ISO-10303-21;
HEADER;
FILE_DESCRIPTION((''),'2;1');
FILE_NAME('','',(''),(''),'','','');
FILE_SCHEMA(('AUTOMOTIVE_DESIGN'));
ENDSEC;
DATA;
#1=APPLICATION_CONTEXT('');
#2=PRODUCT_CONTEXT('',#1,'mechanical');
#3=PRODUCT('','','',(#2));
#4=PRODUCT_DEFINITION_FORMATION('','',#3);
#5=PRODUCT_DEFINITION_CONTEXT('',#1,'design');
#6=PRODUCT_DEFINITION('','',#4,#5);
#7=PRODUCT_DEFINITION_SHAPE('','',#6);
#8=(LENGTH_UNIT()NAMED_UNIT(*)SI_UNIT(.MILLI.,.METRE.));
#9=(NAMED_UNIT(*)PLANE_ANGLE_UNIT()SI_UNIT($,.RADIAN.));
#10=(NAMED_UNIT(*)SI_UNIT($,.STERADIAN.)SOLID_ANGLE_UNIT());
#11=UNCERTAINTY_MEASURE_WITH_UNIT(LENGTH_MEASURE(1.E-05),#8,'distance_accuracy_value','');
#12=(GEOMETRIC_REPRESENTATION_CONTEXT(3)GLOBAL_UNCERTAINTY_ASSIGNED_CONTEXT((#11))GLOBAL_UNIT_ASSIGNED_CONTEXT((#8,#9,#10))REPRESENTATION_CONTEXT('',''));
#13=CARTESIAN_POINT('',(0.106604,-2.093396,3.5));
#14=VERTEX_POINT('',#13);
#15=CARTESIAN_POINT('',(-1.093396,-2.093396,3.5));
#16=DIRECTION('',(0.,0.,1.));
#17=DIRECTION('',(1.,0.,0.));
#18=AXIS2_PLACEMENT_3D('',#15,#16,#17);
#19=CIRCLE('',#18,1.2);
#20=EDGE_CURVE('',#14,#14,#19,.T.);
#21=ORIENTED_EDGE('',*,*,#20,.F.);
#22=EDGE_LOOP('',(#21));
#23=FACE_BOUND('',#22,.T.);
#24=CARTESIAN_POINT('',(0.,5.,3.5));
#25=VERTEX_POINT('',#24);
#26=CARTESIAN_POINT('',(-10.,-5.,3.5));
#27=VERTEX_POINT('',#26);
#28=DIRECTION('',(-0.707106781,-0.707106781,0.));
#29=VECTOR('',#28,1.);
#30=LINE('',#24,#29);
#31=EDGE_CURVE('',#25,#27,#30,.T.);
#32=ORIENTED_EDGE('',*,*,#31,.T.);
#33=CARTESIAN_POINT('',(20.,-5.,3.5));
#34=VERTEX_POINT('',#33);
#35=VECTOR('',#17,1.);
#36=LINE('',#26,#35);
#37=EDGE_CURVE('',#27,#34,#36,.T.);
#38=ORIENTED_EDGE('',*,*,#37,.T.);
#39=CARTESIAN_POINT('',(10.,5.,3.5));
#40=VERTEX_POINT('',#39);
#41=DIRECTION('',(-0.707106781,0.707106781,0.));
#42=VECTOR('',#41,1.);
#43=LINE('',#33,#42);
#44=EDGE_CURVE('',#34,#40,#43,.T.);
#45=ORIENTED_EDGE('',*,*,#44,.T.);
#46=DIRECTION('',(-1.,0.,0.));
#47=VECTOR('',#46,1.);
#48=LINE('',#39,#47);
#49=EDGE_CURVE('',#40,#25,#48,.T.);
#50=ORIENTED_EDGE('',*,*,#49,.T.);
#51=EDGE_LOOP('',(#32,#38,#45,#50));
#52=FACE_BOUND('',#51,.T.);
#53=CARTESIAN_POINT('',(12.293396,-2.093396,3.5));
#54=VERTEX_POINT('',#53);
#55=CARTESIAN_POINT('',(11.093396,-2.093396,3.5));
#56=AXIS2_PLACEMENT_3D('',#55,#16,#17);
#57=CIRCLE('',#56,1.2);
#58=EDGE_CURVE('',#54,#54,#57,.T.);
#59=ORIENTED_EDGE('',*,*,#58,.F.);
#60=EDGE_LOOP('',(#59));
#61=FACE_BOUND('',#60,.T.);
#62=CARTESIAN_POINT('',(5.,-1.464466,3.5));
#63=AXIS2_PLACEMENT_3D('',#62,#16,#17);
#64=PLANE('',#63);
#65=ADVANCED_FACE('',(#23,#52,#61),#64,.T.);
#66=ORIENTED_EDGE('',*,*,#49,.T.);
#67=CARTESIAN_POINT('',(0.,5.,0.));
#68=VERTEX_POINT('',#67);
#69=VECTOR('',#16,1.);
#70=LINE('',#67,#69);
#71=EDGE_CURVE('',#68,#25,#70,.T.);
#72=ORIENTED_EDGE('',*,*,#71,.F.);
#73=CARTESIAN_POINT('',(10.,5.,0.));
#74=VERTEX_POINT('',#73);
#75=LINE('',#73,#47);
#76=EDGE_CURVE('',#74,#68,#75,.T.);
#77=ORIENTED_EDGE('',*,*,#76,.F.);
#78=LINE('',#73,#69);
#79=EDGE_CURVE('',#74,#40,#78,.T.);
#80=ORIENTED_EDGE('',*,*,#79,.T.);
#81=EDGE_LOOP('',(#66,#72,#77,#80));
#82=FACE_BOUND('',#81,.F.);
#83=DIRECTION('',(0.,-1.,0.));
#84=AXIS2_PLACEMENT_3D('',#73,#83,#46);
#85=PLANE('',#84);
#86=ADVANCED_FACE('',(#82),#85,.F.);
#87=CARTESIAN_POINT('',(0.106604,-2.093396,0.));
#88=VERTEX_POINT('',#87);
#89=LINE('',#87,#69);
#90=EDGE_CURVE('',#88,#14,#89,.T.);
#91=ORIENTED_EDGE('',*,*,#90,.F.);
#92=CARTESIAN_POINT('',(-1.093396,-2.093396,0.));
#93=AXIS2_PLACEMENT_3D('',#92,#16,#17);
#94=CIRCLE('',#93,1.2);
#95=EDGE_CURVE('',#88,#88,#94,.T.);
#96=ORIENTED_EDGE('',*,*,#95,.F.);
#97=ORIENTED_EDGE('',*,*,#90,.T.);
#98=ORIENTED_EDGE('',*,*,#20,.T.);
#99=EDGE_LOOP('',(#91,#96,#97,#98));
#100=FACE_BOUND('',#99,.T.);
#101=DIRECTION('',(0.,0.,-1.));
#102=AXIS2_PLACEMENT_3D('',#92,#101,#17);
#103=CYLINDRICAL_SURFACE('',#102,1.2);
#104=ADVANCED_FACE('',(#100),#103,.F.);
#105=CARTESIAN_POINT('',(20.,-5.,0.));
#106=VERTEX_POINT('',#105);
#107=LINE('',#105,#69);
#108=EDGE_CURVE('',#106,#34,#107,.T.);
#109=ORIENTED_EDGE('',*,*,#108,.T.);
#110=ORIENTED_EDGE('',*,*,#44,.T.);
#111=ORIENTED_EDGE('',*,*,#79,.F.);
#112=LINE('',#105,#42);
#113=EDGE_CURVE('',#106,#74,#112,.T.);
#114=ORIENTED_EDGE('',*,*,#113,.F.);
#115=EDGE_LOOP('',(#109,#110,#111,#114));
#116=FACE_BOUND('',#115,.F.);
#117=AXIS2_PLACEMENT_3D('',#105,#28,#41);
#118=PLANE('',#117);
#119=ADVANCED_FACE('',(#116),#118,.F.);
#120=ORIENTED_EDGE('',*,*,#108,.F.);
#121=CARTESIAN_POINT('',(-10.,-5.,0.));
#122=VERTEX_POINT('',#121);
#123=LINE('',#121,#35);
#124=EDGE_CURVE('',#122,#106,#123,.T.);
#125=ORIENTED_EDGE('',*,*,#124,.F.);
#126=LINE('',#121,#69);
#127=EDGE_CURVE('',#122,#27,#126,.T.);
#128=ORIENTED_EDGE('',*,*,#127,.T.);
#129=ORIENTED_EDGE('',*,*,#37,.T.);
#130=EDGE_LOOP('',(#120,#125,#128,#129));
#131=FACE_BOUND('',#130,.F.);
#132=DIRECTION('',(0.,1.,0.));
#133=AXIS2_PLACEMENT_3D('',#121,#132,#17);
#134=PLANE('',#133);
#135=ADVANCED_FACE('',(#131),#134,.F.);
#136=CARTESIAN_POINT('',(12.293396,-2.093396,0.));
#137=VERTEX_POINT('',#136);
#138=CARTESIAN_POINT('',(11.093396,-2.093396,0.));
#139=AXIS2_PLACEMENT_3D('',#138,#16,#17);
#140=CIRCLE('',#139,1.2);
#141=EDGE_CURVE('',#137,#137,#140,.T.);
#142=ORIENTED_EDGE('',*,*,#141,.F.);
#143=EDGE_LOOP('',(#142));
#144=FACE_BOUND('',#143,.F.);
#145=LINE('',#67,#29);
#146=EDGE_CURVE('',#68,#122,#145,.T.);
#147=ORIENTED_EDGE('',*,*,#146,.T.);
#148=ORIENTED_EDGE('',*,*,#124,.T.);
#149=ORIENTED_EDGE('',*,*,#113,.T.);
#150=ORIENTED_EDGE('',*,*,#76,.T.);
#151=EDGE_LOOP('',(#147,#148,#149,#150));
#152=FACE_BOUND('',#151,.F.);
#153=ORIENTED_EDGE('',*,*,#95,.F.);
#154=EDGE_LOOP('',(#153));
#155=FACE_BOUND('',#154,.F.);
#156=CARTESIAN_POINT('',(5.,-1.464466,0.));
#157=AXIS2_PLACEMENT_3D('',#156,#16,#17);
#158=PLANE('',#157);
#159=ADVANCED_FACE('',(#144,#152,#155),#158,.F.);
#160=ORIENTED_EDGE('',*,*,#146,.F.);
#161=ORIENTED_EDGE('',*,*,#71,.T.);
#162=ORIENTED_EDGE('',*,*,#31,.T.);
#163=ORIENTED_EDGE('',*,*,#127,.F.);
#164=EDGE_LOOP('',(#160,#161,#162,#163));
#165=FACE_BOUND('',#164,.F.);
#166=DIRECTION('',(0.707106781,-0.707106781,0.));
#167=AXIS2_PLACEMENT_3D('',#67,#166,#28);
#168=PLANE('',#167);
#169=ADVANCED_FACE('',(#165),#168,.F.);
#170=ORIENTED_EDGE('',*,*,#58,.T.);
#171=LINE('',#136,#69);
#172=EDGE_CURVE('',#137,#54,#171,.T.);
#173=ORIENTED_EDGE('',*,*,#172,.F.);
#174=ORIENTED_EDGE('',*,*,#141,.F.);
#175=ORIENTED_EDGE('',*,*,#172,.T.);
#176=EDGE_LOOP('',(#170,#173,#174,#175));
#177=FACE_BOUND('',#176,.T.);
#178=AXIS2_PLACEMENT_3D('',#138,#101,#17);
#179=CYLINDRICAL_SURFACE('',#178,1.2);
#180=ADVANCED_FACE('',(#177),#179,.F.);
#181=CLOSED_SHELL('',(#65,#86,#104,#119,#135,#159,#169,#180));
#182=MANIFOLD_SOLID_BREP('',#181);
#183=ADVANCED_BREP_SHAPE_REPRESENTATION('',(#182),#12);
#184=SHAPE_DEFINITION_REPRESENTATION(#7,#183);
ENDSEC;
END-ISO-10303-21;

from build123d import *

# Parameters (mm, degrees)
F0_R     = 1.2
F1_DEPTH = 3.5


with BuildPart() as f1:
    # F0 (on Top) → F1 (new body)
    with BuildSketch(Plane.XY):
        Polygon((20, -5), (10, 5), (0, 5), (-10, -5), align=None)
        with Locations((-1.093396, -2.093396)):
            Circle(F0_R, mode=Mode.SUBTRACT)
        with Locations((11.093396, -2.093396)):
            Circle(F0_R, mode=Mode.SUBTRACT)
    extrude(amount=F1_DEPTH)


with BuildPart() as f2_1:
    # F2: copy of F1
    add(f1.part)


solid = f2_1.part
